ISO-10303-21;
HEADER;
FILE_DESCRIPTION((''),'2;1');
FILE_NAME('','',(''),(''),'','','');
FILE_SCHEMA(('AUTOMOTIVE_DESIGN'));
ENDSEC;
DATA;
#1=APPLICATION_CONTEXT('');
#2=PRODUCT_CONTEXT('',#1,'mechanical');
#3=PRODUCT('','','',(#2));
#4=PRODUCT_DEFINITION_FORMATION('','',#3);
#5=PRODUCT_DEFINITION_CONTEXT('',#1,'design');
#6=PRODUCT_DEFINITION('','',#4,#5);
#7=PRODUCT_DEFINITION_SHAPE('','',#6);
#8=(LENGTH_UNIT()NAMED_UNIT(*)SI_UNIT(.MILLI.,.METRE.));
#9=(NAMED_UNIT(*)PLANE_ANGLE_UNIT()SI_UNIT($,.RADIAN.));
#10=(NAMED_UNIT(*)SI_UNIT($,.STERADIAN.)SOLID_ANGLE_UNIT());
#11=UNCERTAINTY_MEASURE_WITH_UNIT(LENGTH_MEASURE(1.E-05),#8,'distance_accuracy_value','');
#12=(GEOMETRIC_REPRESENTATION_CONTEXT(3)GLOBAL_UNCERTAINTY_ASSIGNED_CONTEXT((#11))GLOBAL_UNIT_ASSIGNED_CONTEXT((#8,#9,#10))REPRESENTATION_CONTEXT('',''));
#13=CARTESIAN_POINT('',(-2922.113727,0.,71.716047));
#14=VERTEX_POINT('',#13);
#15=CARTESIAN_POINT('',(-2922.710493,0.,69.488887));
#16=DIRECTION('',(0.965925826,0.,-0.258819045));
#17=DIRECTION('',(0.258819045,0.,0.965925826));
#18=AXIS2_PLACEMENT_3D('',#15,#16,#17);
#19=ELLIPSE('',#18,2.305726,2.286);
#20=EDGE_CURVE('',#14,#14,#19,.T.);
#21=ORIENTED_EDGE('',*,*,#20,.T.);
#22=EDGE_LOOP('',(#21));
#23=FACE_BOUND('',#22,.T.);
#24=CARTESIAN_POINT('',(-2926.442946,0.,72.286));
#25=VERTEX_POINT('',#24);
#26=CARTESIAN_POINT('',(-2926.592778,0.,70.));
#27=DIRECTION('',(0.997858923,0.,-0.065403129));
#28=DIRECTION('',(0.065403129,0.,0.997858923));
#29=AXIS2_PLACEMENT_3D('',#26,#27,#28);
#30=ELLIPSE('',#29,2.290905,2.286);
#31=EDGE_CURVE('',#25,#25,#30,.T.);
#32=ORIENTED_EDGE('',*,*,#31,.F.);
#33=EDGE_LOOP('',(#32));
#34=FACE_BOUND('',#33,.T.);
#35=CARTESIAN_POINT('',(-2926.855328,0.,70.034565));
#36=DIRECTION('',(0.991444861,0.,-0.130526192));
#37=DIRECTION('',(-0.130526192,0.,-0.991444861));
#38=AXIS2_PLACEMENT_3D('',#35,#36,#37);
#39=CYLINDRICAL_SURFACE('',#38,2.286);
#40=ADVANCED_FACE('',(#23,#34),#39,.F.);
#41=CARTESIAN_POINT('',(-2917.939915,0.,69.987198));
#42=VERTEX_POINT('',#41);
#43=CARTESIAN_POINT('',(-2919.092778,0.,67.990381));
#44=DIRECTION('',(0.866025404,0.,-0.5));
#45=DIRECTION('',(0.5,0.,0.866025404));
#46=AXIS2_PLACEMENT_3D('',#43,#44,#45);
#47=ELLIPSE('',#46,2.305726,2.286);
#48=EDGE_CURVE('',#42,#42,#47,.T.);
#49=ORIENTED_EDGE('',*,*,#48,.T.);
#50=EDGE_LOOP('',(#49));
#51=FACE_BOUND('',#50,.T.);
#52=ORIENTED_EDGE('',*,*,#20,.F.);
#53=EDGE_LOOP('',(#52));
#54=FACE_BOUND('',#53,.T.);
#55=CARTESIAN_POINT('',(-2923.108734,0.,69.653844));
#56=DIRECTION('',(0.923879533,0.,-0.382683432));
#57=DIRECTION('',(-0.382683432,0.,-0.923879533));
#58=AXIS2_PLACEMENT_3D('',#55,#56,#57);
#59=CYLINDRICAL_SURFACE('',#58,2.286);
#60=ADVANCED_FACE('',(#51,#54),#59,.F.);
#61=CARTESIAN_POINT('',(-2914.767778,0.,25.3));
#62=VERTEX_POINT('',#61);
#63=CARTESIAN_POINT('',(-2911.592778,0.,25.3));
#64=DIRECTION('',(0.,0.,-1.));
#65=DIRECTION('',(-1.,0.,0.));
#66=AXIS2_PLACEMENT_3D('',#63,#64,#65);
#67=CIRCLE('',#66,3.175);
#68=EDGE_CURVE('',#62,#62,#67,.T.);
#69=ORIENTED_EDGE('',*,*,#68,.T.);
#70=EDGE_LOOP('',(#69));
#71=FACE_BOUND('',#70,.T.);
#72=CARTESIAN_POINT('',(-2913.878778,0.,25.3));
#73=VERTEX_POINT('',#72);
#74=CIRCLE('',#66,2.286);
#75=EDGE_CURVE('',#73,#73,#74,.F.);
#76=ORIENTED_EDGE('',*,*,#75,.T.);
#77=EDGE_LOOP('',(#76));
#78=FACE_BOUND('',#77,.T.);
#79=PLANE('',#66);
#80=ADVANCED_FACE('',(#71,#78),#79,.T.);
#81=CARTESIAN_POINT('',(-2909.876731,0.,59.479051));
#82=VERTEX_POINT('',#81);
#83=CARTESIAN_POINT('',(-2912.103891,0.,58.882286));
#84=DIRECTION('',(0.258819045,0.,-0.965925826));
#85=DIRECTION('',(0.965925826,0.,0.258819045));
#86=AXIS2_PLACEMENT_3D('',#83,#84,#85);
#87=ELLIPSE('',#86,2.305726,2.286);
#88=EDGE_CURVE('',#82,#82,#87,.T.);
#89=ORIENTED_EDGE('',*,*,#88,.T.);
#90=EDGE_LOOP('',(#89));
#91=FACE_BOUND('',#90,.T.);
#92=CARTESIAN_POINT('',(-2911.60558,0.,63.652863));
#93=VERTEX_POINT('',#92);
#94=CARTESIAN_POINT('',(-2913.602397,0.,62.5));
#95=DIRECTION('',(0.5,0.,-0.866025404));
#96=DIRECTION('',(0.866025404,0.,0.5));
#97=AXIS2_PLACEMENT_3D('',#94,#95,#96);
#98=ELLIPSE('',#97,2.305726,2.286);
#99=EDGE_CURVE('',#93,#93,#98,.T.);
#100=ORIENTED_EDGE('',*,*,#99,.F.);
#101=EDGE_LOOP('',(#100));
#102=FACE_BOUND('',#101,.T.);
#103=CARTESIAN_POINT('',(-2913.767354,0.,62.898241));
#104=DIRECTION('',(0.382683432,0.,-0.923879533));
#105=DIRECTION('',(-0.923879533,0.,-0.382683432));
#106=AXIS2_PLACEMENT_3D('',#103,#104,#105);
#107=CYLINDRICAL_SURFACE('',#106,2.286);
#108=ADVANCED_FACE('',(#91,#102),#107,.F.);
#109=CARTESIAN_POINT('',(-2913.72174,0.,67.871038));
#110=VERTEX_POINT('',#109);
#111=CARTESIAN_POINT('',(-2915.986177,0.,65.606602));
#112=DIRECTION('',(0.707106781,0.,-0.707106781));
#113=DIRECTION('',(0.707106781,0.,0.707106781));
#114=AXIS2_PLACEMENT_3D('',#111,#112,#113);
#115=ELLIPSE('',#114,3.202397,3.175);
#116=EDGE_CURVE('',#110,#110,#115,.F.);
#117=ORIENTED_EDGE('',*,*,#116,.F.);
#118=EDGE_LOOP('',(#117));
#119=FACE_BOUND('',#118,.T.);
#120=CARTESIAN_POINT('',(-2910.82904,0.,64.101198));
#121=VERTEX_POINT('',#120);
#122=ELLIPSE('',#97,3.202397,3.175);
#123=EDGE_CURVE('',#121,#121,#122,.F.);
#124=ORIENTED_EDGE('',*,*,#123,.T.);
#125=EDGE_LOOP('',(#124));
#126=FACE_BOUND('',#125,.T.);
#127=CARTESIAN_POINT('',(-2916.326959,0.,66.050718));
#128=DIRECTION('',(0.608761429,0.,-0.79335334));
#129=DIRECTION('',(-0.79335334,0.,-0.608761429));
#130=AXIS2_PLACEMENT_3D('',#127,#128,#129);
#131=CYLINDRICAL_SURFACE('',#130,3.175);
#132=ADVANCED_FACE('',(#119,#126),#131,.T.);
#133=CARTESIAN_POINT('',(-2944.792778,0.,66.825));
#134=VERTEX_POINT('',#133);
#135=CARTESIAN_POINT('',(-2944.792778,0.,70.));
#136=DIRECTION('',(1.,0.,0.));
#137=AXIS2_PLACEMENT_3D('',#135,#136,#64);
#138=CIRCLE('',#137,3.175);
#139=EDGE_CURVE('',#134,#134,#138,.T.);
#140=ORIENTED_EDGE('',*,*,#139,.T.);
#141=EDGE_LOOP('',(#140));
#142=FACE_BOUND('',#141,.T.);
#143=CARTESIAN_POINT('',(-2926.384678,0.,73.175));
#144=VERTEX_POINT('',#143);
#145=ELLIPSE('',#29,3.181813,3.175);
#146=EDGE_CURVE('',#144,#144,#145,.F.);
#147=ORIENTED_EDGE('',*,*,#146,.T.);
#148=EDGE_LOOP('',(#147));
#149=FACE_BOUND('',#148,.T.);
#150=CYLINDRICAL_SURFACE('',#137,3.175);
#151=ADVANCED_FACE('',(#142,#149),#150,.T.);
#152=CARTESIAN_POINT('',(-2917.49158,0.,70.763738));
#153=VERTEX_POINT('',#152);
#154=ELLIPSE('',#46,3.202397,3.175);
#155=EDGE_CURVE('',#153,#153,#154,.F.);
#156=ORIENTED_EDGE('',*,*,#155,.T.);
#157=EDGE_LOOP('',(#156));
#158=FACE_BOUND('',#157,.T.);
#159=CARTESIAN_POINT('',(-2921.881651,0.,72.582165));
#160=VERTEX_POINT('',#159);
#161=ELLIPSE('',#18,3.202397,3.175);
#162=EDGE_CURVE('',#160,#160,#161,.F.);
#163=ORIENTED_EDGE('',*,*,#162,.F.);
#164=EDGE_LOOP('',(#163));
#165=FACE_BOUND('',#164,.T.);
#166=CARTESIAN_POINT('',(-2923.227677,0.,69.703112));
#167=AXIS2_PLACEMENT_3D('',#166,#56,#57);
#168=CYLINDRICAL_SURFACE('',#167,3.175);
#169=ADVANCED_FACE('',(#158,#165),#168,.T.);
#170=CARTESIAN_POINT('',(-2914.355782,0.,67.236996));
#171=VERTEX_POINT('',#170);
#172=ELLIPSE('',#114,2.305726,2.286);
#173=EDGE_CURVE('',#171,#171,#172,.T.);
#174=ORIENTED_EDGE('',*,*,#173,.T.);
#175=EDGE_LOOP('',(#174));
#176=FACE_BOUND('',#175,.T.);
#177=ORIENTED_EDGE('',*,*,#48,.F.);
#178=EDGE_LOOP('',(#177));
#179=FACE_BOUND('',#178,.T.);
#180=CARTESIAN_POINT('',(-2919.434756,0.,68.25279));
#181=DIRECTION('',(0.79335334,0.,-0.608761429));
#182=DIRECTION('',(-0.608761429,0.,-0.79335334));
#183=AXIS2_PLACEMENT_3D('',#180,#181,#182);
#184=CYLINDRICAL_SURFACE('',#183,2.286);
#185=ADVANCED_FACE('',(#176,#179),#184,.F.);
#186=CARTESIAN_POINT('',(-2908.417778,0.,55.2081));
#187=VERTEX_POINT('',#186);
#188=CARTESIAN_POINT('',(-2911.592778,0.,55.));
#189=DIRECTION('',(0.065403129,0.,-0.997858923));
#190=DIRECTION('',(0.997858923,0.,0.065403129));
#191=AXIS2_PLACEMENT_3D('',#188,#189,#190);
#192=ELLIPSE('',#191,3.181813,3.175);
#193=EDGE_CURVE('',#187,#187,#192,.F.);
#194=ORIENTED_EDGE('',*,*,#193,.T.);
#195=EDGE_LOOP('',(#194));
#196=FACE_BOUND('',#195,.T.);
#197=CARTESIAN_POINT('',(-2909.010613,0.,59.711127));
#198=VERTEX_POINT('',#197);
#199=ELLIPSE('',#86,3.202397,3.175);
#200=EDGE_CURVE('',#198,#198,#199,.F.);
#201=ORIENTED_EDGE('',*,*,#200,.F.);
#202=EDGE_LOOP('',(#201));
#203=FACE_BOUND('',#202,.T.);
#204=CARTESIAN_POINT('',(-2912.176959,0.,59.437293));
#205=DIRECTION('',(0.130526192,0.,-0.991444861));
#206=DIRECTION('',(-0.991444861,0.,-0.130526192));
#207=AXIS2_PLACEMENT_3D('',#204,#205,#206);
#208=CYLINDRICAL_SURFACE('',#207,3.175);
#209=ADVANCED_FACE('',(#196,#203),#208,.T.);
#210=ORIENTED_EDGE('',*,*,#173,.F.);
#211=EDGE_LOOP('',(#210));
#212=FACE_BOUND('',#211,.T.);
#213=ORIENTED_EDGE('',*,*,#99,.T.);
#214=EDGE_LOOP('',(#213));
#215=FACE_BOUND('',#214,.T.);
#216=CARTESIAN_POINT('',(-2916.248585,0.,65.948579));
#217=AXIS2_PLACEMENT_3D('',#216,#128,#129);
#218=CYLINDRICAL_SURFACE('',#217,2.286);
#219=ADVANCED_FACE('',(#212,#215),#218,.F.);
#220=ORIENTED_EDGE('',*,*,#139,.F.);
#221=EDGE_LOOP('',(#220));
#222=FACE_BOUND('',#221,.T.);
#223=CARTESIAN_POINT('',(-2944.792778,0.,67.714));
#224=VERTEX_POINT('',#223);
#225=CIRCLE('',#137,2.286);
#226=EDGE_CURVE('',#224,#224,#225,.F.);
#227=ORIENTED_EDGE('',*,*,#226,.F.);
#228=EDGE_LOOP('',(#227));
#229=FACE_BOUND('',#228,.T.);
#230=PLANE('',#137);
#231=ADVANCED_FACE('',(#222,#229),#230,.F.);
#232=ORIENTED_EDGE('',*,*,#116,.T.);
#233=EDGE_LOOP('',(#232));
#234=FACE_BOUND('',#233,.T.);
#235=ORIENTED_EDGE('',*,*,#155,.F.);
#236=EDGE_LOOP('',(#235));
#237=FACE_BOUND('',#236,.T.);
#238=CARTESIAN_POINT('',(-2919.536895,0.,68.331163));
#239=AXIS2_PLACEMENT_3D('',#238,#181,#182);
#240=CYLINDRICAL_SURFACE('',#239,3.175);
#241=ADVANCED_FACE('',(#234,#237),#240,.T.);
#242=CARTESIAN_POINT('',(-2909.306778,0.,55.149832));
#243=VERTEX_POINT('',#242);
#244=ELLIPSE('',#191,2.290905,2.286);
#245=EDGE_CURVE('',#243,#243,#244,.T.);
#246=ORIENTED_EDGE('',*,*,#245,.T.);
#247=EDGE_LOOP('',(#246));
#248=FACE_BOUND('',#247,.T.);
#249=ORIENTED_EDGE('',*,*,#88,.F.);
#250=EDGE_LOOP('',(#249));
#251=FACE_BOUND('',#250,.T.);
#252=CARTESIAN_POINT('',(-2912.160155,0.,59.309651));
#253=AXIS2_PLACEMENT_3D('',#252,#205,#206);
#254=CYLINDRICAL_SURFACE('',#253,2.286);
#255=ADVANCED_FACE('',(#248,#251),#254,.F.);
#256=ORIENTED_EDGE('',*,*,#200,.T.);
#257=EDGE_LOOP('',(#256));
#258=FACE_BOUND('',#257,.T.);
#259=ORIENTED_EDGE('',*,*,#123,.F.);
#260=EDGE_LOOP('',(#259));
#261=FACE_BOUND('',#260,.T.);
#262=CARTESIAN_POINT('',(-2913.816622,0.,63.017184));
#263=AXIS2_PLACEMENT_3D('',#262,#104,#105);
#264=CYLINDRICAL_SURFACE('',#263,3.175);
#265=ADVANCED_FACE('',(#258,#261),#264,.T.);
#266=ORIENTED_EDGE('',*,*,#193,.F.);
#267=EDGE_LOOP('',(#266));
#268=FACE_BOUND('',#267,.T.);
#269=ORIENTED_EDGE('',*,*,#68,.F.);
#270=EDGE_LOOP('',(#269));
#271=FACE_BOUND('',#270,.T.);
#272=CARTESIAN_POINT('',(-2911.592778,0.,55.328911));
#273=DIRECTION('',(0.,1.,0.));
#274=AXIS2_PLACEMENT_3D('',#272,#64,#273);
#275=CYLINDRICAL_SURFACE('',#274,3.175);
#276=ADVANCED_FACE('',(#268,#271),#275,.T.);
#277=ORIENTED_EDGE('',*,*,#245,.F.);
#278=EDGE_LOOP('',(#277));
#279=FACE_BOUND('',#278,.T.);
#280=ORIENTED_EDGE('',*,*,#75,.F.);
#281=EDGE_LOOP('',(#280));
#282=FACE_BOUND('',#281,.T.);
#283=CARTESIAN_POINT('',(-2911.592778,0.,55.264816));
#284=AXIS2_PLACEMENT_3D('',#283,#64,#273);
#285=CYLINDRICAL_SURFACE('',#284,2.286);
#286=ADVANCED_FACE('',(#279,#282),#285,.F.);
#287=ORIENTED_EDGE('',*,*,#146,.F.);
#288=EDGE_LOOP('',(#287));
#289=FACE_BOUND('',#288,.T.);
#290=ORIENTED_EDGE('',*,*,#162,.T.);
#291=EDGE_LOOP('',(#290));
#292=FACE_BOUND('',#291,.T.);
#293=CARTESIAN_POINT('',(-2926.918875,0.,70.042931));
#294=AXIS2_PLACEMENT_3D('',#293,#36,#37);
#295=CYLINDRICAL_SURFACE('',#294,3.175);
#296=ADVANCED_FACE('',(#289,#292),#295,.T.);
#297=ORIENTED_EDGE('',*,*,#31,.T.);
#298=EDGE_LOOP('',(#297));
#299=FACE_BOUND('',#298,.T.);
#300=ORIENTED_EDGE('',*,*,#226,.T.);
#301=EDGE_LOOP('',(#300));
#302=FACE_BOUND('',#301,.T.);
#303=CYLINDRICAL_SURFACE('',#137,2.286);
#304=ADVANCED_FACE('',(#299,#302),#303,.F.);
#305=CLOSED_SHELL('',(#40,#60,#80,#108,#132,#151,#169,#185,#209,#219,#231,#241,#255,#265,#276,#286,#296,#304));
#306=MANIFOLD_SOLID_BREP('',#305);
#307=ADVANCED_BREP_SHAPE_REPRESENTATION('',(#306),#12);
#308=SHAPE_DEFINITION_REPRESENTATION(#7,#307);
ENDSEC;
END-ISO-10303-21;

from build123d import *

# Parameters (mm, degrees)
PROFILE_R   = 3.175
PROFILE_R_2 = 2.286


with BuildPart() as part:
    # Tube: sweep along a curve in space
    with BuildLine() as tube_path:
        Line((-2944.792778381, 0, 70), (-2926.592778381, 0, 70))
        Line((-2926.592778381, 0, 70), (-2922.710492704, 0, 69.488887394))
        Line((-2922.710492704, 0, 69.488887394), (-2919.092778381, 0, 67.990381057))
        Line((-2919.092778381, 0, 67.990381057), (-2915.986176663, 0, 65.606601718))
        Line((-2915.986176663, 0, 65.606601718), (-2913.602397324, 0, 62.5))
        Line((-2913.602397324, 0, 62.5), (-2912.103890986, 0, 58.882285677))
        Line((-2912.103890986, 0, 58.882285677), (-2911.592778381, 0, 55))
        Line((-2911.592778381, 0, 55), (-2911.592778381, 0, 25.3))
    # Profile → Tube (sweep)
    with BuildSketch(Plane(origin=(-2944.792778381, 0, 0), x_dir=(0, 0, -1), z_dir=(1, 0, 0))):
        with Locations((-70, 0)):
            Circle(PROFILE_R)
        with Locations((-70, 0)):
            Circle(PROFILE_R_2, mode=Mode.SUBTRACT)
    sweep(path=tube_path.line, transition=Transition.RIGHT)


solid = part.part
